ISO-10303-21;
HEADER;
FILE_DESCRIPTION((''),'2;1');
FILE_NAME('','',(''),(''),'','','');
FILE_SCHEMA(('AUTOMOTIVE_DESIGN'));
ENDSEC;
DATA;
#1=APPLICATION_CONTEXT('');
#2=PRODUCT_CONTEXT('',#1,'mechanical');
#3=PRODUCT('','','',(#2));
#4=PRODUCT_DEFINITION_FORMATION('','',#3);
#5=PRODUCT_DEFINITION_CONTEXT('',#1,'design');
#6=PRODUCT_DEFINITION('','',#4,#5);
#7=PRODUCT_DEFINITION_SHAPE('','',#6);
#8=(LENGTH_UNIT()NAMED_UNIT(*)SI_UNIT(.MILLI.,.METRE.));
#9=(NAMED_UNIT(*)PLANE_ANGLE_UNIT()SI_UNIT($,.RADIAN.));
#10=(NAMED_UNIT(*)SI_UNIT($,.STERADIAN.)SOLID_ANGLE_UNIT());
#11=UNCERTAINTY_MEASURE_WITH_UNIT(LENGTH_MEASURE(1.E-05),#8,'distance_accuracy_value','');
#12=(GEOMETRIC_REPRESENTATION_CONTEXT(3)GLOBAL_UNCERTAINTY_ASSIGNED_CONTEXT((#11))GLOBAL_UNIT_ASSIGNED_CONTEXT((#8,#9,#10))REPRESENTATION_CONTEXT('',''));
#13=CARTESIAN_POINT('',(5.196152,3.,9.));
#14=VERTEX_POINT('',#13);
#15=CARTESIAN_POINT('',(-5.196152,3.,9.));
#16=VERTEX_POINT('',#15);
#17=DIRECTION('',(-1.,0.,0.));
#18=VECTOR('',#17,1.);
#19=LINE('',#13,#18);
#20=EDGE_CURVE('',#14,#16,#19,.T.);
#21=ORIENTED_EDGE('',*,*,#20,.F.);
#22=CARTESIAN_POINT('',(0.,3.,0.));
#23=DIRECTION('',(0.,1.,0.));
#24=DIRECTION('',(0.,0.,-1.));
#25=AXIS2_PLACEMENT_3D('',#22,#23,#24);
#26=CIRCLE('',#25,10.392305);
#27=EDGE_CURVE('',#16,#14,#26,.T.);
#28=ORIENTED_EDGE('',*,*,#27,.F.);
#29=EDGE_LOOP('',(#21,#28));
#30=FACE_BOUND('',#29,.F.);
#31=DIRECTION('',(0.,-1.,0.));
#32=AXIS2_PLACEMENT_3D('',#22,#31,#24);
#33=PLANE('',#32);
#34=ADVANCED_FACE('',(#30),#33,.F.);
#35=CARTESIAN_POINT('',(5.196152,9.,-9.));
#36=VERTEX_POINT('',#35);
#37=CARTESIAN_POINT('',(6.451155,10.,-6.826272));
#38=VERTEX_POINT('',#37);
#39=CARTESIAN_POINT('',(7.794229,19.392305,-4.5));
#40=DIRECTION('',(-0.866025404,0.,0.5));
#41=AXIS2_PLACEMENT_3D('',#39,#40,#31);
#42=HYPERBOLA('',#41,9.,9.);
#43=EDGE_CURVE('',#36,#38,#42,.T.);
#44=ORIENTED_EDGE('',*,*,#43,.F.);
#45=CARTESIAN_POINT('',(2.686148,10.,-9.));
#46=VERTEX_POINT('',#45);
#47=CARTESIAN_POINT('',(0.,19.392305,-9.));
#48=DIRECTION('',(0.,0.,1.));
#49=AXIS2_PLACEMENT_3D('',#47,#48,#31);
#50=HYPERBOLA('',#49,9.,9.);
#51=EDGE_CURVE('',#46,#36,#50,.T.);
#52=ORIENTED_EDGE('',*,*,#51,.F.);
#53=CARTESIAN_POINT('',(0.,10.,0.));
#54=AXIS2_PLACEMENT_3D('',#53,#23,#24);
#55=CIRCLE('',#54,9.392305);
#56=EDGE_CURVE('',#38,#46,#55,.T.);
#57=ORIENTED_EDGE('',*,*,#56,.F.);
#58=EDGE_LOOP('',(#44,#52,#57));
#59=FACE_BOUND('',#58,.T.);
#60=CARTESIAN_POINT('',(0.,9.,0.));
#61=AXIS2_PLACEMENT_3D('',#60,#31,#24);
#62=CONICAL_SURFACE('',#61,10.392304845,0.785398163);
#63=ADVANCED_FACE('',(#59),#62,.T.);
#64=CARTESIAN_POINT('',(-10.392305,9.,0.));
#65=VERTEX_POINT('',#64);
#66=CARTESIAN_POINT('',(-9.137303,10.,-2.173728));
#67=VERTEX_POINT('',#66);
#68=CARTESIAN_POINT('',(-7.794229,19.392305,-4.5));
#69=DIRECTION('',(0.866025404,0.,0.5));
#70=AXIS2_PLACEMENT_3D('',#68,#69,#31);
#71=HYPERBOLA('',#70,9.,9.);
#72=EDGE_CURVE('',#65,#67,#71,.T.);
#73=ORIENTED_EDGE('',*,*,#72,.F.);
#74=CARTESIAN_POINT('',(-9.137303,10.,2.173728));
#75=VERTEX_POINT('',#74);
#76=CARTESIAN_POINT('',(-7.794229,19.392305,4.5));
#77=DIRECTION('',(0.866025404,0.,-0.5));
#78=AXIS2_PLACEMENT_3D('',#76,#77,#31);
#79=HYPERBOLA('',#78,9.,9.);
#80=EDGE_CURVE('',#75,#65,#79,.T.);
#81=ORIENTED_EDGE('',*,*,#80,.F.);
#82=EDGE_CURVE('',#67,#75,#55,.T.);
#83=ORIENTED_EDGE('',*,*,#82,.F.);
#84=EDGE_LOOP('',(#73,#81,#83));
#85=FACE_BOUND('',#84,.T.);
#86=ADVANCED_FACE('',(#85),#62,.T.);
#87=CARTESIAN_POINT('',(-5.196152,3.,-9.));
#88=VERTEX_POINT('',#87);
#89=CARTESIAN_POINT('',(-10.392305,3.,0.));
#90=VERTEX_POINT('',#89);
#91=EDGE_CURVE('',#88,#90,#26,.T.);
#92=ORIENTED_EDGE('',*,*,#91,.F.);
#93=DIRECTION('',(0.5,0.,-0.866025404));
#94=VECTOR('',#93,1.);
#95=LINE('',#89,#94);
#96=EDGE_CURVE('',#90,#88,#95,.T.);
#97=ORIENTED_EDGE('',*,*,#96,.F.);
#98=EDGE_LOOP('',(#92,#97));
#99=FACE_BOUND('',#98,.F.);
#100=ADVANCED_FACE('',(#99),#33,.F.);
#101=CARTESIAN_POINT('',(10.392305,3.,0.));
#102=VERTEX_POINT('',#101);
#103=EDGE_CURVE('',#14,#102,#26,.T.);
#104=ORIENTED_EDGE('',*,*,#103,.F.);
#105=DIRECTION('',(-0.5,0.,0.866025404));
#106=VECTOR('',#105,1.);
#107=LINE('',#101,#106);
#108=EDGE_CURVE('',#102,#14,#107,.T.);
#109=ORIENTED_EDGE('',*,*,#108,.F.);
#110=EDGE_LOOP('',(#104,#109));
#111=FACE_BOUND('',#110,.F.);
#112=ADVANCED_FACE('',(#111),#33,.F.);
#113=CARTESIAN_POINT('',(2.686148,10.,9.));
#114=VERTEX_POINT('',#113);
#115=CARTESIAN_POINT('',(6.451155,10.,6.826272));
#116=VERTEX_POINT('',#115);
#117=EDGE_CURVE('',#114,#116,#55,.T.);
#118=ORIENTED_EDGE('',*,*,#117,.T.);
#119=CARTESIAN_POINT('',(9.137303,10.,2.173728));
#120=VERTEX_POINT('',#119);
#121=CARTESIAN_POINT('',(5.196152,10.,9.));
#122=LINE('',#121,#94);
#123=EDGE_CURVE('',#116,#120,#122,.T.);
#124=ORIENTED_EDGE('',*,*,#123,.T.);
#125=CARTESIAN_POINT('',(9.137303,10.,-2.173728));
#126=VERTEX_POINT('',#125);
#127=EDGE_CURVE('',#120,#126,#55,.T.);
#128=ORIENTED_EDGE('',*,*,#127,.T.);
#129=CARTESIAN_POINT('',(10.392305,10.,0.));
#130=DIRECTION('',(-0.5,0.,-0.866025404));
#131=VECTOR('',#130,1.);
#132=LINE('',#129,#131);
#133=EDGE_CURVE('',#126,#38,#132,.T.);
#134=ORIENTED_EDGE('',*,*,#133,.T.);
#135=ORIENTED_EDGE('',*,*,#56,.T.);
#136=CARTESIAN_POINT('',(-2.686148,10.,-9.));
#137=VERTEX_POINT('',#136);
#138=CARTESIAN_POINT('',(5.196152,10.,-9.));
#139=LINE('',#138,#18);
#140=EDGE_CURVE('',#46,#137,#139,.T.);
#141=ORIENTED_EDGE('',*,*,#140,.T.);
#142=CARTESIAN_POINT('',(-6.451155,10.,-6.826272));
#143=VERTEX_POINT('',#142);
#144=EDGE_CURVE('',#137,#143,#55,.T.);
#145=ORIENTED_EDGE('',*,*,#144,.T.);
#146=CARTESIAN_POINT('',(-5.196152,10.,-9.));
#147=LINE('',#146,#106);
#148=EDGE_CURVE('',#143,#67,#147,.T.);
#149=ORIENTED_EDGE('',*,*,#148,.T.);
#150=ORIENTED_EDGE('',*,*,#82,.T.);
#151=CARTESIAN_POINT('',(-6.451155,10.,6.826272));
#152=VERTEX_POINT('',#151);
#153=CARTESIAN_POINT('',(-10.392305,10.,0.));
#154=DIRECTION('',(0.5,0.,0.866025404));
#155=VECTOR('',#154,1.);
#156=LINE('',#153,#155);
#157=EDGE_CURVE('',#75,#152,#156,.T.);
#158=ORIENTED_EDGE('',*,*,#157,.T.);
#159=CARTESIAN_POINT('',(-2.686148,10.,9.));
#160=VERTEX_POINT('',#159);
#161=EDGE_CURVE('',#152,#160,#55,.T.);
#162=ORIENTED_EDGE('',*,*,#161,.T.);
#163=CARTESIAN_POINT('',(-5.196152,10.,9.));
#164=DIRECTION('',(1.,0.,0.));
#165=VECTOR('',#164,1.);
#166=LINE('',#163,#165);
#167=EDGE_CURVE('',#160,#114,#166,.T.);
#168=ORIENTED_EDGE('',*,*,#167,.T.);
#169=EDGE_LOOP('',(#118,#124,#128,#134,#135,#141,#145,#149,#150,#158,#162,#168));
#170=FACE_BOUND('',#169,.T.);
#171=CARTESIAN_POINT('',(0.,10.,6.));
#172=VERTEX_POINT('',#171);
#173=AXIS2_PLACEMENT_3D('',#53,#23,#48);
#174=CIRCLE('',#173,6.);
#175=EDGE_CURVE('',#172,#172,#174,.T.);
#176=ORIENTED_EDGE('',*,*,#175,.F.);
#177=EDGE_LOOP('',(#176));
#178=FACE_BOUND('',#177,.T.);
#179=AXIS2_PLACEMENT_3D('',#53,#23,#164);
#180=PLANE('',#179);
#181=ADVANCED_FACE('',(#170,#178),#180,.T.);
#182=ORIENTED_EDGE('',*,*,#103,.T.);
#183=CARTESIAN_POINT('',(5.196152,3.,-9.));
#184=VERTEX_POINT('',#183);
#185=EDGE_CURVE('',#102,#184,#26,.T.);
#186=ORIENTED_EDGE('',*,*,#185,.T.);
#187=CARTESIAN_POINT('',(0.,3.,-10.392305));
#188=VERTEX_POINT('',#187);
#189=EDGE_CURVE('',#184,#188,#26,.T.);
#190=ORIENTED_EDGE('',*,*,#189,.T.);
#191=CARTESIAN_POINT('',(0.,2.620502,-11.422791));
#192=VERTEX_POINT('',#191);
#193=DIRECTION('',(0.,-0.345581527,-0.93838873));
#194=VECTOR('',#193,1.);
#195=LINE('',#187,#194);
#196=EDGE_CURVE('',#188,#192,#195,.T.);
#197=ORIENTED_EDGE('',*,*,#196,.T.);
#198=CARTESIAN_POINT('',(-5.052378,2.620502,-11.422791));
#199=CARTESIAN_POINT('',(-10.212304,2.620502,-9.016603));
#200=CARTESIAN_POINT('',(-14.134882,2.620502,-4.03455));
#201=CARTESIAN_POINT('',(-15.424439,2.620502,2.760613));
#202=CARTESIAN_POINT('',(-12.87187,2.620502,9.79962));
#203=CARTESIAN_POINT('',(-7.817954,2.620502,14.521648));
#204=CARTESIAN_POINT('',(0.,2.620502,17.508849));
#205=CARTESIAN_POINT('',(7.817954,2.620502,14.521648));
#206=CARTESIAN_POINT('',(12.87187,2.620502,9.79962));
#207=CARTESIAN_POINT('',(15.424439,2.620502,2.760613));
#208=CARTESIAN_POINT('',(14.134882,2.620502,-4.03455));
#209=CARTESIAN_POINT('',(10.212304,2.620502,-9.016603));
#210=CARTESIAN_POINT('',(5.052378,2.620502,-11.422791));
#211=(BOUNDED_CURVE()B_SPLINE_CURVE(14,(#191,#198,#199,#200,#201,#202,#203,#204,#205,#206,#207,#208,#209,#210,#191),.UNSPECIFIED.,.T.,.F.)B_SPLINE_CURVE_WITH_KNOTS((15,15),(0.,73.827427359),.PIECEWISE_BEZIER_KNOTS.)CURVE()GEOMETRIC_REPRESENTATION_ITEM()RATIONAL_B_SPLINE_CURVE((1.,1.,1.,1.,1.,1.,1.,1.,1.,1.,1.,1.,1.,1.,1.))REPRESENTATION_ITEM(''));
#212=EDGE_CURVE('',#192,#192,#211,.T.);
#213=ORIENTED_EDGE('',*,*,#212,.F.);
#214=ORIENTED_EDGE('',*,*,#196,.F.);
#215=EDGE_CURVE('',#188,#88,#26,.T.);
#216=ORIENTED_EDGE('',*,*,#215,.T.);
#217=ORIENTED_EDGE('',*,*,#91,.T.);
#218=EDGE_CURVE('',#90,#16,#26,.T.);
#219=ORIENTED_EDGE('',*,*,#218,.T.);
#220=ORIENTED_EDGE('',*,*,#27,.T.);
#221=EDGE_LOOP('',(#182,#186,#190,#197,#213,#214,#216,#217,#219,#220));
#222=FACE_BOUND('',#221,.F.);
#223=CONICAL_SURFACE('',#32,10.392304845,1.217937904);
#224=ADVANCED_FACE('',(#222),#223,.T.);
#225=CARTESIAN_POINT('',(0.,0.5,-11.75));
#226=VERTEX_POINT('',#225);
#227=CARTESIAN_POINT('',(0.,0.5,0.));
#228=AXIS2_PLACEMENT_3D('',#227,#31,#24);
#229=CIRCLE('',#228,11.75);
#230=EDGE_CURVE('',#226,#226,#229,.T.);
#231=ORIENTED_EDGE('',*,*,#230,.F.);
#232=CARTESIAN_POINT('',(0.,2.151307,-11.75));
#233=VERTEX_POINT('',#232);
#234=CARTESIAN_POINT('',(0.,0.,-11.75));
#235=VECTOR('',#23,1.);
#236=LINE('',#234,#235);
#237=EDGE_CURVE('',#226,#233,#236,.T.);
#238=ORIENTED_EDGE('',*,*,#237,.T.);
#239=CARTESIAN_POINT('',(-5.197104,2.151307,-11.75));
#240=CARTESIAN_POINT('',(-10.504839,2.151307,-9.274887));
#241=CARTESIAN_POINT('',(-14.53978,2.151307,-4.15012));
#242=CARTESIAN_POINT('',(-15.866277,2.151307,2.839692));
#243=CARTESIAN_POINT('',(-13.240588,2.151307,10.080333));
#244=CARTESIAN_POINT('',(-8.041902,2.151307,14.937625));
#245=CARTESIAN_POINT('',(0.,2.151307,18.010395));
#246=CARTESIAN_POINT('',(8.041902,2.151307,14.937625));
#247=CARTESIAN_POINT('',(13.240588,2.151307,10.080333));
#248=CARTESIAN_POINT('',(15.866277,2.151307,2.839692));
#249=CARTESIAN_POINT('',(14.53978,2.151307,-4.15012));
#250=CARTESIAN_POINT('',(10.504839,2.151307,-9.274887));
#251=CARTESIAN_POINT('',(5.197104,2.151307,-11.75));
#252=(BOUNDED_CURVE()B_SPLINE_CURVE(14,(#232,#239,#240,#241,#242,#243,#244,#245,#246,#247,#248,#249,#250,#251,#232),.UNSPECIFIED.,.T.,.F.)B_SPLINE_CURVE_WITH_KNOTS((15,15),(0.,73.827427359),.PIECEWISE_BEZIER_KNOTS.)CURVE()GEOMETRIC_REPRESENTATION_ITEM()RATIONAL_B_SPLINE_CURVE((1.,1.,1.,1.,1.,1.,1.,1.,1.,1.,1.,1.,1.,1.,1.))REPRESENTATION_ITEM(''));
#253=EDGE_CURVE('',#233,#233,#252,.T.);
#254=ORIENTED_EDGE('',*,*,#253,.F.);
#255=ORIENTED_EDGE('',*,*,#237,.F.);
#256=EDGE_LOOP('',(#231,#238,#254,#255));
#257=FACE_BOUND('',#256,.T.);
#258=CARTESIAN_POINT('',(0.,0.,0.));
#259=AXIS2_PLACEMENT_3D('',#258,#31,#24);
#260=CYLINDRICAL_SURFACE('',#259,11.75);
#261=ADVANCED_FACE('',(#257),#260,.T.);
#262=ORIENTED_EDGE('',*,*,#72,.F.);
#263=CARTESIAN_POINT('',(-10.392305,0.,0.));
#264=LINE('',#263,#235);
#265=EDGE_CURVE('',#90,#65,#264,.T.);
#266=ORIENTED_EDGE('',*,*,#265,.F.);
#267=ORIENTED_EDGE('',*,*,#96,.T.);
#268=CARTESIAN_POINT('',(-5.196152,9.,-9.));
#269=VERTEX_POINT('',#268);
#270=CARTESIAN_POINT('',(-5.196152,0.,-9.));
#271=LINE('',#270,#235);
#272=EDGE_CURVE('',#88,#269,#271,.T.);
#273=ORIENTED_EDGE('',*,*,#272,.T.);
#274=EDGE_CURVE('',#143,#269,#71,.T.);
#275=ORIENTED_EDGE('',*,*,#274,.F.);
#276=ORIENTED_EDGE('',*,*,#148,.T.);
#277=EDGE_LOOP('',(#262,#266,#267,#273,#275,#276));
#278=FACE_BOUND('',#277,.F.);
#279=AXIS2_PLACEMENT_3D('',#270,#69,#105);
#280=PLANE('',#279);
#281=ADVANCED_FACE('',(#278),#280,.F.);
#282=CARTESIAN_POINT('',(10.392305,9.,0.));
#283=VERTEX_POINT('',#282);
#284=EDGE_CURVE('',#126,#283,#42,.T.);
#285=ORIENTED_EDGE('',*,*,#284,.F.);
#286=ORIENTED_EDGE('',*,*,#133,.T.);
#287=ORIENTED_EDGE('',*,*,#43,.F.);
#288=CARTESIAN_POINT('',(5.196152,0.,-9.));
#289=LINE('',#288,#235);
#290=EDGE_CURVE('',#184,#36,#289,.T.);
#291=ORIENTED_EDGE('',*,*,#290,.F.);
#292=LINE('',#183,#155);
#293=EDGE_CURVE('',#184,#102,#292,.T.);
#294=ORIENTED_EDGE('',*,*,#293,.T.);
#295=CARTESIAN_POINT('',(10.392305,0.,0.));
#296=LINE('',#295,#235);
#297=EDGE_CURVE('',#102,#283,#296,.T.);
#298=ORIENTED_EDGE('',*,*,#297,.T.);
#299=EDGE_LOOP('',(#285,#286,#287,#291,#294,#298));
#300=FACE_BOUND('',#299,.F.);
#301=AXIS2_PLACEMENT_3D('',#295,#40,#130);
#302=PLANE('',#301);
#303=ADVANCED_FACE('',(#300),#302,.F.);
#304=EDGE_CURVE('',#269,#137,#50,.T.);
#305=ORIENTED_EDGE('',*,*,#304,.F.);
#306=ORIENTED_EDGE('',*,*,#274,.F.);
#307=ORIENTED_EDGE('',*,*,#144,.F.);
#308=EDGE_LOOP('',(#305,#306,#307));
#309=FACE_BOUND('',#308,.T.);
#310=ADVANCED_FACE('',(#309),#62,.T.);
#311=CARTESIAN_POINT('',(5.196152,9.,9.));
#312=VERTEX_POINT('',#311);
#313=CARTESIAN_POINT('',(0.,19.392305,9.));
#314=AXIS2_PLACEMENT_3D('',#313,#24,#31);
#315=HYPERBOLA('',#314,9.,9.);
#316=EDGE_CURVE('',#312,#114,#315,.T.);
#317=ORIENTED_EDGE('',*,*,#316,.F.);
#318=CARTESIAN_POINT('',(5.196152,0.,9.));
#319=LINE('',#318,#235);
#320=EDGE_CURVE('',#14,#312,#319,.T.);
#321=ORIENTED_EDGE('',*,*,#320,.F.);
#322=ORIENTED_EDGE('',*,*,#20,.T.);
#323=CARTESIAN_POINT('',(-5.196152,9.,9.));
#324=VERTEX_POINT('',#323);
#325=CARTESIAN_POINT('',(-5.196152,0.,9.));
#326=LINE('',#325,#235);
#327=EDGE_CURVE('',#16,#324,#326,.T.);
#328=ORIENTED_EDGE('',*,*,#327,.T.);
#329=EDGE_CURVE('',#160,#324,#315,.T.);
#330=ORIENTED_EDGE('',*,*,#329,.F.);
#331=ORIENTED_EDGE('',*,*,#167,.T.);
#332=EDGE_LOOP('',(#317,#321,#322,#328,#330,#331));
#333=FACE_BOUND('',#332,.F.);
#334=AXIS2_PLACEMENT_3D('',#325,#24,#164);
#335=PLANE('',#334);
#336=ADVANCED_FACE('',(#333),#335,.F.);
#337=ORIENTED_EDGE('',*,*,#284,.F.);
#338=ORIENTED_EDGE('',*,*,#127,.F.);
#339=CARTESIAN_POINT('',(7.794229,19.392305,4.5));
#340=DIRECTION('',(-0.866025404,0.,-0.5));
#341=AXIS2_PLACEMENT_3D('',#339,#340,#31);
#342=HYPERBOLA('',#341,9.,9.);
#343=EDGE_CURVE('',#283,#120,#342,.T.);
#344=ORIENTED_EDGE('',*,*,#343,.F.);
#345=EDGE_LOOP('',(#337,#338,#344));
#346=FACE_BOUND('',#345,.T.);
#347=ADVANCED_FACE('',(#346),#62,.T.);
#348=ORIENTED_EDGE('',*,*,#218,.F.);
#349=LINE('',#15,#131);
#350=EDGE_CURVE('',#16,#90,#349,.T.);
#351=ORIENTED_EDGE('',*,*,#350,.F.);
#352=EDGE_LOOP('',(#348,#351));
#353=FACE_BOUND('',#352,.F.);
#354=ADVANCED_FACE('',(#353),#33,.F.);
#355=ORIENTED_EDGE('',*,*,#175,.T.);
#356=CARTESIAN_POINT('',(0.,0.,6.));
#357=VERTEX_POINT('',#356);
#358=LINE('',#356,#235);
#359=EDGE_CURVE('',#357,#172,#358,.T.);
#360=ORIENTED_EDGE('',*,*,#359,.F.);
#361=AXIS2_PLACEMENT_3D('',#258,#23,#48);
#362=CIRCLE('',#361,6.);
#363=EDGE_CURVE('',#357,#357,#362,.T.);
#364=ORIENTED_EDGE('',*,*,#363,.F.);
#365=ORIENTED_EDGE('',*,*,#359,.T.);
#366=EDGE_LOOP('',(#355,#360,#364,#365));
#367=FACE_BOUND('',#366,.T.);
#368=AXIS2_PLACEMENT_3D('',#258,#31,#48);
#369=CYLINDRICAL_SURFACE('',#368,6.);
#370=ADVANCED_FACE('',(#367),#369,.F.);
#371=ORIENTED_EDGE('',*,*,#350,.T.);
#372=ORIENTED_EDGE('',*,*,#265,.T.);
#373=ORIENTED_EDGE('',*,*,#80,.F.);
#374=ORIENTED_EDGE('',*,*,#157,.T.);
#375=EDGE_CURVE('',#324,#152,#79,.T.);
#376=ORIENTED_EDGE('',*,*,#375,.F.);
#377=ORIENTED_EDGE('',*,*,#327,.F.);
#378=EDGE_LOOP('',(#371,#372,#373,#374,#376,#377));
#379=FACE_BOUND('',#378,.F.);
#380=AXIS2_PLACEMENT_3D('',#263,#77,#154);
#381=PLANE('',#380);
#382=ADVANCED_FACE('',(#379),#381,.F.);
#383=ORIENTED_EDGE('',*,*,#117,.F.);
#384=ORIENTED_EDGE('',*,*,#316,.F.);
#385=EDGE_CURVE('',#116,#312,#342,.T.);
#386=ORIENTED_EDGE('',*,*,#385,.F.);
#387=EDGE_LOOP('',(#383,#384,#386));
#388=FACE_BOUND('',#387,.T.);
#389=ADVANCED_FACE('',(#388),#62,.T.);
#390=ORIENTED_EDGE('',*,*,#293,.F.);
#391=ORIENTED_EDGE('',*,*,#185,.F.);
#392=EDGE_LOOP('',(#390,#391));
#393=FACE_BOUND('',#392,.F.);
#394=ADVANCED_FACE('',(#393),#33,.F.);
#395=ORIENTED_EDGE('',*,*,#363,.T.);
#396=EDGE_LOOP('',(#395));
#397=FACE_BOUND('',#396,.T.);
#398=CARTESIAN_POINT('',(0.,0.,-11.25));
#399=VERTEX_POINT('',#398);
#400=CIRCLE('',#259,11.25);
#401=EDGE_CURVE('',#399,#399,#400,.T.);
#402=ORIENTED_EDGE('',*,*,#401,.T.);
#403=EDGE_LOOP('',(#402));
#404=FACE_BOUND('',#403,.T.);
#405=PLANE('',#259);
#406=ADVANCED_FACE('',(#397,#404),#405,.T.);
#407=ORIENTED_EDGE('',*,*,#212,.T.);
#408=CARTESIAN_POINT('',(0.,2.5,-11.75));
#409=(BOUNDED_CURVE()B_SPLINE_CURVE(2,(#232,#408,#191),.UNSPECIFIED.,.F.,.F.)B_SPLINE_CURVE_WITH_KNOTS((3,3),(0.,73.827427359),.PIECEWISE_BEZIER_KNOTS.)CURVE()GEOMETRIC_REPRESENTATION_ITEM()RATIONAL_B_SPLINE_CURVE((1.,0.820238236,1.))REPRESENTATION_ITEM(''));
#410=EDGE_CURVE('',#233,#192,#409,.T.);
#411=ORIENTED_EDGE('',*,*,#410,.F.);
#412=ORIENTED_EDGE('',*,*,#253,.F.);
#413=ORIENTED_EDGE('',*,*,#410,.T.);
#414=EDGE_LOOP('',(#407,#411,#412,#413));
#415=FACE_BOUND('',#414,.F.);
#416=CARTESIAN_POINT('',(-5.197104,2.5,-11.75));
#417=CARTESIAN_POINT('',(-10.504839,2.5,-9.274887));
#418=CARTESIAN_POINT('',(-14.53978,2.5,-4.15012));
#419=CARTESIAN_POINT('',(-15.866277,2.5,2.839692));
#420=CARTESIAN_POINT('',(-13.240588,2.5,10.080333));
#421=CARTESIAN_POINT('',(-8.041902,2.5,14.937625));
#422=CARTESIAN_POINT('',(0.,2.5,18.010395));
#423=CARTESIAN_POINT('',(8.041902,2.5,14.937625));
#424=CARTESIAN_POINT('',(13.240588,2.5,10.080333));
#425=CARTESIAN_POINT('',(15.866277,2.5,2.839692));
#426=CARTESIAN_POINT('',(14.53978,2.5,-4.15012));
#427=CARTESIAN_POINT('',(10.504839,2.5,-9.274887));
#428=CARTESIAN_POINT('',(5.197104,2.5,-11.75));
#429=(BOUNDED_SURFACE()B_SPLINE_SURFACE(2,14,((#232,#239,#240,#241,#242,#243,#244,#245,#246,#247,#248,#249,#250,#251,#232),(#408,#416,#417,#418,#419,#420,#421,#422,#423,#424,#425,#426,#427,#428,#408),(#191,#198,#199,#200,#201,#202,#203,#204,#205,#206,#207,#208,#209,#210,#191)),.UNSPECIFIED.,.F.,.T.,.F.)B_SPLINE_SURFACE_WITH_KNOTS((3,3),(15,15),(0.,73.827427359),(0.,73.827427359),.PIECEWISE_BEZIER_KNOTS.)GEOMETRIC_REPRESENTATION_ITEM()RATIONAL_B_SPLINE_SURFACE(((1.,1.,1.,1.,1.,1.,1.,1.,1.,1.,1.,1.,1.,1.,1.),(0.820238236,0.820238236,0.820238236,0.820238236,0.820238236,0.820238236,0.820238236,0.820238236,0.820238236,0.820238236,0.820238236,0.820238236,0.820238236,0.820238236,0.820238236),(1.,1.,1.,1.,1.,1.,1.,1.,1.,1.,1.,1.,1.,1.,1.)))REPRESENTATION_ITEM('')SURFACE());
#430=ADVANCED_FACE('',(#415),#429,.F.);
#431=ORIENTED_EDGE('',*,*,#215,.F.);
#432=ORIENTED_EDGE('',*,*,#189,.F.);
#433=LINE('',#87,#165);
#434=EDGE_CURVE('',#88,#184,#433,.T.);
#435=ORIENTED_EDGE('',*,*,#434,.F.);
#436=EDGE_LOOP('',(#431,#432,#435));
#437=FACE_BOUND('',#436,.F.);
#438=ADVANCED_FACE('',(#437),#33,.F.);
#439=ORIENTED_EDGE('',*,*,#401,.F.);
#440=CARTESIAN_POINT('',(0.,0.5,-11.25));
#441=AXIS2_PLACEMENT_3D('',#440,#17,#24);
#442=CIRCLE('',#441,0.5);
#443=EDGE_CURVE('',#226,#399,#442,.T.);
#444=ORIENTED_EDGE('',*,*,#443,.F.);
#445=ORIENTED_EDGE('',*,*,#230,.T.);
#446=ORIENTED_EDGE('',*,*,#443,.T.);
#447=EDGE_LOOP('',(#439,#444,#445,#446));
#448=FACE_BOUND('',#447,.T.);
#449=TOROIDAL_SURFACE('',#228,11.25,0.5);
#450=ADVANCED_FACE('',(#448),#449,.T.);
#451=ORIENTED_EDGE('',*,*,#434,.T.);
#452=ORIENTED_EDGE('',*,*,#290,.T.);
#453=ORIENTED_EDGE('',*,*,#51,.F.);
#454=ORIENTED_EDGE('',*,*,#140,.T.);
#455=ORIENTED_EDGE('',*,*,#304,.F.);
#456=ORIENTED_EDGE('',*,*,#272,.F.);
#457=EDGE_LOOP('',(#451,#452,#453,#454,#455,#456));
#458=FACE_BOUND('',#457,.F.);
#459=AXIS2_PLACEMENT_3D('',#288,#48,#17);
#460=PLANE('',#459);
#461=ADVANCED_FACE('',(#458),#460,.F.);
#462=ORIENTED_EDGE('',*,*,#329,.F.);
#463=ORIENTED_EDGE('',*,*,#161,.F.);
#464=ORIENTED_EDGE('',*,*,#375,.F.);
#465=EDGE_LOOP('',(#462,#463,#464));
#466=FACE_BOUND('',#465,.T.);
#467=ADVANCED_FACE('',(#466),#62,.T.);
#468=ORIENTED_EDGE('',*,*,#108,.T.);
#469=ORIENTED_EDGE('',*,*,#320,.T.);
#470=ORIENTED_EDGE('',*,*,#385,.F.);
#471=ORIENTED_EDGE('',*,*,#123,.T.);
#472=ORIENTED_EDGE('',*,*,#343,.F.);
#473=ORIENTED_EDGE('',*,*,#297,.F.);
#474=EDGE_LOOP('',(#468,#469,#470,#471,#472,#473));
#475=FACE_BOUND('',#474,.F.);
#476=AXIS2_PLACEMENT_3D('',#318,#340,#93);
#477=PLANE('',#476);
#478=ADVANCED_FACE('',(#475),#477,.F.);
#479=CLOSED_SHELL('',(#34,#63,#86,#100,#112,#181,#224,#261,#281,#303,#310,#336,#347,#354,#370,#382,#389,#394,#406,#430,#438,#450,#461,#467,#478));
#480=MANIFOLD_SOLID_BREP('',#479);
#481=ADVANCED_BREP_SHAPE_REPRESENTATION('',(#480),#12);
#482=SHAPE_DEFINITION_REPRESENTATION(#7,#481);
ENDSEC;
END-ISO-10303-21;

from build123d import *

# Parameters (mm, degrees)
SKETCH1_R           = 6
BOSS_EXTRUDE1_DEPTH = 10
SKETCH2_R           = 11.75
BOSS_EXTRUDE2_DEPTH = 3
FILLET1_R           = 0.5


with BuildPart() as part:
    # Sketch1 → Boss-Extrude1 (new body)
    with BuildSketch(Plane(origin=(0, 0, 0), x_dir=(1, 0, 0), z_dir=(0, 1, 0))):
        Polygon((10.392304845, 0), (5.196152423, 9), (-5.196152423, 9), (-10.392304845, 0), (-5.196152423, -9), (5.196152423, -9), align=None)
        with Locations(Location((0, 0, 0), (0, 0, 270))):
            Circle(SKETCH1_R, mode=Mode.SUBTRACT)
    extrude(amount=BOSS_EXTRUDE1_DEPTH)

    # Sketch2 → Boss-Extrude2 (add)
    with BuildSketch(Plane.XZ):
        with Locations(Location((0, 0, 0), (0, 0, 270))):
            Circle(SKETCH2_R)
        Polygon((10.392304845, 0), (5.196152423, 9), (-5.196152423, 9), (-10.392304845, 0), (-5.196152423, -9), (5.196152423, -9), align=None, mode=Mode.SUBTRACT)
    extrude(amount=-BOSS_EXTRUDE2_DEPTH)

    # Sketch3 → Cut-Revolve1 (revolve, cut)
    with BuildSketch(Plane.XY, mode=Mode.PRIVATE) as cut_revolve1_sk:
        Polygon((-10.392304845, 9), (-9.392304845, 10), (-10.392304845, 10), align=None)
        Polygon((-10.392304845, 3), (-11.75, 2.5), (-11.75, 3), align=None)
    revolve(cut_revolve1_sk.sketch.rotate(Axis((0, 0, 0), (0, 1, 0)), 270), axis=Axis((0, 0, 0), (0, 1, 0)), mode=Mode.SUBTRACT)

    # Fillet1
    fillet1_edges = [part.edges().sort_by_distance(p)[0] for p in [
        (0, 0, 11.75),
        (0, 2.5, 11.75),
    ]]
    fillet(fillet1_edges, radius=FILLET1_R)


solid = part.part
